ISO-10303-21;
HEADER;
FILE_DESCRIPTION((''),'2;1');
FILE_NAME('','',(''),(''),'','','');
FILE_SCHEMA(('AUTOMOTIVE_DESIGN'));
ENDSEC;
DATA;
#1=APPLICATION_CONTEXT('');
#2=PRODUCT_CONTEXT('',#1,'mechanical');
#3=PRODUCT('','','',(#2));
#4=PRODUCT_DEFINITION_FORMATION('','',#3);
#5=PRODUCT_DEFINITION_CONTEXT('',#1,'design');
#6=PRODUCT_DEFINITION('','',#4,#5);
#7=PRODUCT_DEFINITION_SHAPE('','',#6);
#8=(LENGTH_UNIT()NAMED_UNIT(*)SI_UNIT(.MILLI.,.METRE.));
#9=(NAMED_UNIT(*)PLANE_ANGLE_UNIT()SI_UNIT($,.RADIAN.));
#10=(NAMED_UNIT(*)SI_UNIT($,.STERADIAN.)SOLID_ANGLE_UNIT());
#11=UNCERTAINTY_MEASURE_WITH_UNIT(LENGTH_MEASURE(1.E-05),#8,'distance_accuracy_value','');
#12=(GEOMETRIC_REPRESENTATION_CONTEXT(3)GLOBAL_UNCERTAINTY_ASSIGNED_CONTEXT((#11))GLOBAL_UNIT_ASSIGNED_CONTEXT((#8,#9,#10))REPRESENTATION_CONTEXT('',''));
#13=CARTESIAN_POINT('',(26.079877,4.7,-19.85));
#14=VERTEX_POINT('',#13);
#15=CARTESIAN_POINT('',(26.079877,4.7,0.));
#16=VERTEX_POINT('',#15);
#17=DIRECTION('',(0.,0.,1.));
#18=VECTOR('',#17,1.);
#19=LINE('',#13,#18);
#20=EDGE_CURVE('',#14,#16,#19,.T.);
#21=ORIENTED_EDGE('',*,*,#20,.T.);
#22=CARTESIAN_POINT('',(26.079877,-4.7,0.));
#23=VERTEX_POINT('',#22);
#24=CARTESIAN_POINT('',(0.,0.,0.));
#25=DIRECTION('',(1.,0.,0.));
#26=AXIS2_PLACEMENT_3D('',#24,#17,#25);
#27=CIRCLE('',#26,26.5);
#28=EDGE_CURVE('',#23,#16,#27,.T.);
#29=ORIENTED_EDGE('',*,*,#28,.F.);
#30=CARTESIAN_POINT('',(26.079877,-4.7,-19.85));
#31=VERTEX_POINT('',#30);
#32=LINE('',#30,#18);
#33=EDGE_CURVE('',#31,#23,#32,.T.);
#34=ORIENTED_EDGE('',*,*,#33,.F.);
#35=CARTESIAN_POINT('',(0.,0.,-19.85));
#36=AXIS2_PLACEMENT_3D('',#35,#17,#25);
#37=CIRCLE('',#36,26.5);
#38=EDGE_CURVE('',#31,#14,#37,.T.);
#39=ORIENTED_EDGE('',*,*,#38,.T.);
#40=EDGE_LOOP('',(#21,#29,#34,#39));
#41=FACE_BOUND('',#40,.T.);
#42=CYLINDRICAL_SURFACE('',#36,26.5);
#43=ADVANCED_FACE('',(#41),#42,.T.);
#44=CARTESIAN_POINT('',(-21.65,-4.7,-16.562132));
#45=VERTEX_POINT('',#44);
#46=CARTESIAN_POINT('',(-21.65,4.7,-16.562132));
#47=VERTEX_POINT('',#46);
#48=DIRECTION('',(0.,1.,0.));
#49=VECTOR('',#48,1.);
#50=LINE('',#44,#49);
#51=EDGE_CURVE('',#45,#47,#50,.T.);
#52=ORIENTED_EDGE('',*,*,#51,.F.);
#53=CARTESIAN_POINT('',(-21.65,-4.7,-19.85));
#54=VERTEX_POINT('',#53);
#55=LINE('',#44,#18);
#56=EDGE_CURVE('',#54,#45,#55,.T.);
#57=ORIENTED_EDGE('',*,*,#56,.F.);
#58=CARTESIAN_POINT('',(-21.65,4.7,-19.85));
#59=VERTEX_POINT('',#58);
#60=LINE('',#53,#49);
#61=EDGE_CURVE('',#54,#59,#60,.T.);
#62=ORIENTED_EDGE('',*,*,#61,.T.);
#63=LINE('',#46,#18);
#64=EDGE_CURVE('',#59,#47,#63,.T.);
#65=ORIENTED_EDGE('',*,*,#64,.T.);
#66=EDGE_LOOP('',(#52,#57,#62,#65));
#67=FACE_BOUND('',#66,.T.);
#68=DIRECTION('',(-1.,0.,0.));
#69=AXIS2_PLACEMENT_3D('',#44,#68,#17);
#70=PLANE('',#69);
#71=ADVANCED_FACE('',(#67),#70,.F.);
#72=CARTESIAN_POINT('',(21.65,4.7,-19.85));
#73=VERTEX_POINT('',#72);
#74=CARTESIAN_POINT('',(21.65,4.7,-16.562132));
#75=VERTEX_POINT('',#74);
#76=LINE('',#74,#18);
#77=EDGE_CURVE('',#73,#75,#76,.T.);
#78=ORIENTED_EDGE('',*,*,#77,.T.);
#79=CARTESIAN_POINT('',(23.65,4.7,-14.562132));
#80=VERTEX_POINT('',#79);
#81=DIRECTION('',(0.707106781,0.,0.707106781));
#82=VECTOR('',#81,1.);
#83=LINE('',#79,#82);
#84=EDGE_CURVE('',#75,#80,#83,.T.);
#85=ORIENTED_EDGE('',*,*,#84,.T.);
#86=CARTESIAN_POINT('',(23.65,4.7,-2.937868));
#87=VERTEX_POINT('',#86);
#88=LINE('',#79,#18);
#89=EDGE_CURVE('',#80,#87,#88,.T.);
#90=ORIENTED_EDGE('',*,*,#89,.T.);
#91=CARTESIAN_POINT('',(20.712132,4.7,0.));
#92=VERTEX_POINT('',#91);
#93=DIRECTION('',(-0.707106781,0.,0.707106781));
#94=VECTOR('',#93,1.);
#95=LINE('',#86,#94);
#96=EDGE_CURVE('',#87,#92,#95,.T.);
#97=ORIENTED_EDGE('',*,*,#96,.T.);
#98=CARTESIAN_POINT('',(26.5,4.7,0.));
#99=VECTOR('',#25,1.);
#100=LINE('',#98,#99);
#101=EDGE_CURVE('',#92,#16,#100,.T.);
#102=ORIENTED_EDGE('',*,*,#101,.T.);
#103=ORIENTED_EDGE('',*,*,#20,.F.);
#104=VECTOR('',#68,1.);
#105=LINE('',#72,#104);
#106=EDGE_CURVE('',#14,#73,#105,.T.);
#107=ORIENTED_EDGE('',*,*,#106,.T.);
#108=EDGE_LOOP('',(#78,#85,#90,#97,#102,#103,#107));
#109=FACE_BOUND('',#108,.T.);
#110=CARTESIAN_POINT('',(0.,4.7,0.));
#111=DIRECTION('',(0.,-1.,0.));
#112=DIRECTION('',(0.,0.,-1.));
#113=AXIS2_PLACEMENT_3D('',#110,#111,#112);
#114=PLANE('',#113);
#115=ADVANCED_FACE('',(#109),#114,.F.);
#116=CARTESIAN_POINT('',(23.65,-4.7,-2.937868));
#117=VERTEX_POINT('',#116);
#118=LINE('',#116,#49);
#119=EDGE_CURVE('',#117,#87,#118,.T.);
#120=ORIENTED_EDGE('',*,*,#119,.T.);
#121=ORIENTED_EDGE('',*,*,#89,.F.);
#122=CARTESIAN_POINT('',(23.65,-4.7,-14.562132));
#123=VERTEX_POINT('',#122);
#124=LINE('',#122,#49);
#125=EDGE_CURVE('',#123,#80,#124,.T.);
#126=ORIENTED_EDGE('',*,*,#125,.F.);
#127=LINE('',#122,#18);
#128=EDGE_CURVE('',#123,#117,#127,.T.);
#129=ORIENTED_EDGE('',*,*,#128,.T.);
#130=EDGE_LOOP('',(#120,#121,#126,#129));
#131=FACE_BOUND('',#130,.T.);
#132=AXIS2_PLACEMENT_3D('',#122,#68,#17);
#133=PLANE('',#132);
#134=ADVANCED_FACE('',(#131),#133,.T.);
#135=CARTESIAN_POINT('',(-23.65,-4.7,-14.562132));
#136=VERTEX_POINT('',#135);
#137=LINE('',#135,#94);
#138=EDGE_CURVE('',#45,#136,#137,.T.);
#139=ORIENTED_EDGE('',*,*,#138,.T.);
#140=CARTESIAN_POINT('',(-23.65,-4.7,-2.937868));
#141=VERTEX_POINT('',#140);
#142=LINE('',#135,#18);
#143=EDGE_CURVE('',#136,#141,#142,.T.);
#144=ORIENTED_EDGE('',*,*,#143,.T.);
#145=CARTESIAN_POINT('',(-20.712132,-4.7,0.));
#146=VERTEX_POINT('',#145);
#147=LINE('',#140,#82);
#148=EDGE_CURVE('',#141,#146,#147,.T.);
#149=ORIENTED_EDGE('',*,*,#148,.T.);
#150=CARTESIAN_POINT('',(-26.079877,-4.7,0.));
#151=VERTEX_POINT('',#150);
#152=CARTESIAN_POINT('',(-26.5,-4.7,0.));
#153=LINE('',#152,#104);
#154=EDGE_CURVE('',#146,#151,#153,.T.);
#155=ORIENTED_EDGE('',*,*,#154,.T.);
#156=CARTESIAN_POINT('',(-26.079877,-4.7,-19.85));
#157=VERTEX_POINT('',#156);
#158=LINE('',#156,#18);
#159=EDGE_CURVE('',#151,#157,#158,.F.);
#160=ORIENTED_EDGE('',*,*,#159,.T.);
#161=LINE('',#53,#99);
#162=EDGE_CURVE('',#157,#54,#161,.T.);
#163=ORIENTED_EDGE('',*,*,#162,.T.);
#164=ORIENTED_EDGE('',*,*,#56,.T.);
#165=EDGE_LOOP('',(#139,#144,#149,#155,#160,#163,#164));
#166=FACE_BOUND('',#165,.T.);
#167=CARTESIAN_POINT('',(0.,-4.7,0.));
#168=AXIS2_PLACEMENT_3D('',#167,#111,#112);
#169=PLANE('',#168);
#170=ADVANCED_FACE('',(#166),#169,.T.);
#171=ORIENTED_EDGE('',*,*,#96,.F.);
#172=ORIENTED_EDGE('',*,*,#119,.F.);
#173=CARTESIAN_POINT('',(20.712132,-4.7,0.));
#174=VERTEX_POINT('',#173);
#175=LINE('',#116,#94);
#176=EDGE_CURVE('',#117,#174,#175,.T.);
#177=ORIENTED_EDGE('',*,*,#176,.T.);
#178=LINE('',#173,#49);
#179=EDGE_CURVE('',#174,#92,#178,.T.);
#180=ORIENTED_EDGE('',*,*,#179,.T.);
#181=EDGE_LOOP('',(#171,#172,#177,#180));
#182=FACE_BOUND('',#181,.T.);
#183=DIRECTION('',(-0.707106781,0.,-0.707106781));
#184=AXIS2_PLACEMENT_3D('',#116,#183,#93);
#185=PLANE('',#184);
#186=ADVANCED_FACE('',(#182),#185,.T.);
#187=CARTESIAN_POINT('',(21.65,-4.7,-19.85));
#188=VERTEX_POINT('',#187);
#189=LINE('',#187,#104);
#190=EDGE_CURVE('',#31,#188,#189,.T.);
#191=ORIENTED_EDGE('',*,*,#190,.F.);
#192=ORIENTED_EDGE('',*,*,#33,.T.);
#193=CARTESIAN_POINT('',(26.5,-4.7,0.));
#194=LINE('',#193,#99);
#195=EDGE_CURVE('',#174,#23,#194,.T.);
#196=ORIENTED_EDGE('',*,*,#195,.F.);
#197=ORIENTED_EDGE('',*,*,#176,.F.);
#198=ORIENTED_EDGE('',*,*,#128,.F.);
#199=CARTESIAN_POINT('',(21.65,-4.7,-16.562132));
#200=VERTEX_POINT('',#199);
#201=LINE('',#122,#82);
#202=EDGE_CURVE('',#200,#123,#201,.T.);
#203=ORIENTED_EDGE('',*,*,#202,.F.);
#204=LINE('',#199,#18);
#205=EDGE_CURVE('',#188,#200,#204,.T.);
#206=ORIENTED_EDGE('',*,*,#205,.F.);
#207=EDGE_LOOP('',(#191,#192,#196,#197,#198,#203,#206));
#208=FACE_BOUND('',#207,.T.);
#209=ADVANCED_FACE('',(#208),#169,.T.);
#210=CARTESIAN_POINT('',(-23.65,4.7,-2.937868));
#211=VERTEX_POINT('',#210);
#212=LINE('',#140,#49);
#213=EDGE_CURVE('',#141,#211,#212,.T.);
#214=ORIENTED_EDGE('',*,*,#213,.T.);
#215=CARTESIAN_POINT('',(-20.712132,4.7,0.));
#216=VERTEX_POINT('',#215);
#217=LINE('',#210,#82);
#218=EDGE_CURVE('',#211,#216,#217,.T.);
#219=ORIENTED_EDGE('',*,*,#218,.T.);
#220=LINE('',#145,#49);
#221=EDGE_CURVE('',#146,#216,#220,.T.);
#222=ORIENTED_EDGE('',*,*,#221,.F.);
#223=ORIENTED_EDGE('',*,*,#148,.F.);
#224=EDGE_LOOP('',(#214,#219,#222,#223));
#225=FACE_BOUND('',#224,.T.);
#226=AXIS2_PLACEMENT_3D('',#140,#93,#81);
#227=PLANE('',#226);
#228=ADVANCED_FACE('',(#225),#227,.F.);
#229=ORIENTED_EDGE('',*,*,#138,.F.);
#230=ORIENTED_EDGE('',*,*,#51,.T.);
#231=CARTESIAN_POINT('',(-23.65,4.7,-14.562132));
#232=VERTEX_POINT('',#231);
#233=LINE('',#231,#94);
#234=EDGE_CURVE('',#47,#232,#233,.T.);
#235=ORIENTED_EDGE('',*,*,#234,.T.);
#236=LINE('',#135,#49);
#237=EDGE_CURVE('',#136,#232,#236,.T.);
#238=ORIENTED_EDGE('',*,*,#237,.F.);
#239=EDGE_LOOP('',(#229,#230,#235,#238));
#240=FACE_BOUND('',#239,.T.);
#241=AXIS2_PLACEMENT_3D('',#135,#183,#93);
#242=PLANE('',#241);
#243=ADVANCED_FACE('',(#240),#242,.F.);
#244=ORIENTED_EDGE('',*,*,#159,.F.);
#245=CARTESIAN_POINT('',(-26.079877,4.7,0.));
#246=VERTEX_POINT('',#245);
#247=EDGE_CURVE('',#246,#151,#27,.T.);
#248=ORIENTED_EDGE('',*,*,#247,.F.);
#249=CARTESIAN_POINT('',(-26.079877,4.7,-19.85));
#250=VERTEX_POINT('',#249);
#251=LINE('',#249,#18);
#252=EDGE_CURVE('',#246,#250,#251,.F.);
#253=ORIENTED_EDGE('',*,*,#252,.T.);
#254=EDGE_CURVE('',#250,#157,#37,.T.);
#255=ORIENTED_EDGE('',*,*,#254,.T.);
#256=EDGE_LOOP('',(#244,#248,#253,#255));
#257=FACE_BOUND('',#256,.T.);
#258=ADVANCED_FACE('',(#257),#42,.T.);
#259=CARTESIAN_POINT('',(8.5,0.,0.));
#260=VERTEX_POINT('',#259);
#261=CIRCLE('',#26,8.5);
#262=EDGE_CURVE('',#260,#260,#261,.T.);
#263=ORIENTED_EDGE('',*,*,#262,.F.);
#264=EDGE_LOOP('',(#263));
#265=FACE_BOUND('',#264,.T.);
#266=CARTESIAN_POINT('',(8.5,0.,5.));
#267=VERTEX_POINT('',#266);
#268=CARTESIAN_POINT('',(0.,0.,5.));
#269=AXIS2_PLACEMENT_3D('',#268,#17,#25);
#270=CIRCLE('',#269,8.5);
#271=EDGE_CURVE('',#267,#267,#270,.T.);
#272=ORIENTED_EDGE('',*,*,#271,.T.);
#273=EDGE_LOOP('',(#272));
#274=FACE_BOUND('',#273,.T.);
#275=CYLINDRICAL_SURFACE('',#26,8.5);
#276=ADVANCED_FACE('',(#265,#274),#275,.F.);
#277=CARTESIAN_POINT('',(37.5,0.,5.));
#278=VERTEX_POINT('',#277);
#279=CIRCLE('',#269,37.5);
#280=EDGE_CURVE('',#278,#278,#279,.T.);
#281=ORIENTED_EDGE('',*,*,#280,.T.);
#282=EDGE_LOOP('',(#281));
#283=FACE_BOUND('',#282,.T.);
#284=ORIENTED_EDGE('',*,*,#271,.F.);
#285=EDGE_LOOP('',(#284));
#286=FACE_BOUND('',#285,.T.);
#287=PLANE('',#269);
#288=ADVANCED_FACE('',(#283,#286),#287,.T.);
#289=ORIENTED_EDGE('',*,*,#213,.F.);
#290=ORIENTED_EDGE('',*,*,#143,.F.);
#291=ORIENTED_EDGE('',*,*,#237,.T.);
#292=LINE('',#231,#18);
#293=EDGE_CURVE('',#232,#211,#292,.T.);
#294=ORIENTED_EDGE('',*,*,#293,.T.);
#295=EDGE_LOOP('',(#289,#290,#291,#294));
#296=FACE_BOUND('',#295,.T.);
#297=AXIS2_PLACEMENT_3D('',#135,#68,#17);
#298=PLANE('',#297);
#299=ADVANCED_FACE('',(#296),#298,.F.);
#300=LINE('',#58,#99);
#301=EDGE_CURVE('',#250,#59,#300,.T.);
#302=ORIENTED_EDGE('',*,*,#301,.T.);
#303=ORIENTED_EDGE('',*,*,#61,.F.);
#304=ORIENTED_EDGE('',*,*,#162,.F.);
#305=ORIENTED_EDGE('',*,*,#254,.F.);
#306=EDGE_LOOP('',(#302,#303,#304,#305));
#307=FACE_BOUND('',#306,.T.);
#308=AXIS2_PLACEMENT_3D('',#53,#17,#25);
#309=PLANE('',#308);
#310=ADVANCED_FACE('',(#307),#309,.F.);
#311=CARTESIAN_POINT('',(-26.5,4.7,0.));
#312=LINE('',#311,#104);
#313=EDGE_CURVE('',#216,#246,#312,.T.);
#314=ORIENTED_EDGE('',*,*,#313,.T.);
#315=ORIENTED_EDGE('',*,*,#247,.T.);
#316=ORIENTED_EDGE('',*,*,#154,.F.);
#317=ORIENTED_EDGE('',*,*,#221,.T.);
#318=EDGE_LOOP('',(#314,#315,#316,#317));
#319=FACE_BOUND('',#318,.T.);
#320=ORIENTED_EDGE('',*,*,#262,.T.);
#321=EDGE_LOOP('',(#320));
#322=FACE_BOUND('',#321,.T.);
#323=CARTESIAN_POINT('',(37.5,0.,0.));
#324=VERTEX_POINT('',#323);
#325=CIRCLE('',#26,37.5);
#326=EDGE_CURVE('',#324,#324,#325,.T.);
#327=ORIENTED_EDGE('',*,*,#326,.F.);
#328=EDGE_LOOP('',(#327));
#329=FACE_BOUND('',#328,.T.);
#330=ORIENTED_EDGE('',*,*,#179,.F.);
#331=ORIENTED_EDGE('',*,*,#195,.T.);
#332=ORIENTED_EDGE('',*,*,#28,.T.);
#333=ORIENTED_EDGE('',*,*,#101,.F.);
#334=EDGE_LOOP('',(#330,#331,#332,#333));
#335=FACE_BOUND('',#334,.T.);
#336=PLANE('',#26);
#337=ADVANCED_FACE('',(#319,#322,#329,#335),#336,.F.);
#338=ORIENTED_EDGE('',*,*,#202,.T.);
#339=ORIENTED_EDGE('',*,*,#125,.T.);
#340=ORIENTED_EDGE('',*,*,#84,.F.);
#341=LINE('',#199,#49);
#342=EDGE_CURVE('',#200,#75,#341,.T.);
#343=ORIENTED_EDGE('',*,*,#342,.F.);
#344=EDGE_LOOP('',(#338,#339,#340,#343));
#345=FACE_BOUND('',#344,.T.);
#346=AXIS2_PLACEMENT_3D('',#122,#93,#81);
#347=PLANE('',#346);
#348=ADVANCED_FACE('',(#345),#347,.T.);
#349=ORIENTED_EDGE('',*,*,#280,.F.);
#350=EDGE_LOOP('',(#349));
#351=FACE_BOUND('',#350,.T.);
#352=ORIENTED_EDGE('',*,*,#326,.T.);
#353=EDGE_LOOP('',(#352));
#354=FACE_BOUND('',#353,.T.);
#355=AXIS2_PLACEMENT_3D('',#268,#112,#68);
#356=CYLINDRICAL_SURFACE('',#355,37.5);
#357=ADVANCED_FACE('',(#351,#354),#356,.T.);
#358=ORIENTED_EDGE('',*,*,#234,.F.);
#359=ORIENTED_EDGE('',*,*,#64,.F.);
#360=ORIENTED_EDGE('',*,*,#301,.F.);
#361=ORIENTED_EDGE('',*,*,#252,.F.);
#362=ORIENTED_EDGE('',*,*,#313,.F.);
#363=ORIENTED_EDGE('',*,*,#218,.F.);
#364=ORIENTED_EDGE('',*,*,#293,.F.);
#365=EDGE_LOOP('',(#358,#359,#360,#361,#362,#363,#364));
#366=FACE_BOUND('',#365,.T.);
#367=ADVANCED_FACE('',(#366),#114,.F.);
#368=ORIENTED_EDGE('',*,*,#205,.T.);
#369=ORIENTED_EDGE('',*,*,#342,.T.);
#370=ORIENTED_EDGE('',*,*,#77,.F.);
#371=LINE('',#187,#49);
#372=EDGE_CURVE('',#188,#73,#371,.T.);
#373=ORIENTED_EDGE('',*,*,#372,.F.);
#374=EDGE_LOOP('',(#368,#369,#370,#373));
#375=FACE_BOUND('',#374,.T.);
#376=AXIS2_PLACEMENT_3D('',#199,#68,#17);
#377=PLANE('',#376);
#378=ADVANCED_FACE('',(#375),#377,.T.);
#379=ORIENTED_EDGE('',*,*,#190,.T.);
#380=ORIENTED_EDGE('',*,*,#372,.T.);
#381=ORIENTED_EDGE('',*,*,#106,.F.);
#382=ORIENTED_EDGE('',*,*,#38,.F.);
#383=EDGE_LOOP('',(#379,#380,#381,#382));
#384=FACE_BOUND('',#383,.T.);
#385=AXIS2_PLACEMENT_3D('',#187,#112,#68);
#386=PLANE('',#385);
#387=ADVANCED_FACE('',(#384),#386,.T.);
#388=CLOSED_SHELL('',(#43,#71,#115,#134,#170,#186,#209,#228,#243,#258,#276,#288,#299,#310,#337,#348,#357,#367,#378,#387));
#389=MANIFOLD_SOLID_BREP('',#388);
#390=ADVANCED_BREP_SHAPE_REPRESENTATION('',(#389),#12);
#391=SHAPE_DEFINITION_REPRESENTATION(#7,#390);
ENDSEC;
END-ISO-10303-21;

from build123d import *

# Parameters (mm, degrees)
SKETCH4_R           = 37.5
BOSS_EXTRUDE2_DEPTH = 5
SKETCH5_R           = 8.5
CUT_EXTRUDE1_DEPTH  = 54.268189382
BOSS_EXTRUDE3_DEPTH = 4.7
SKETCH1_R           = 37.5
SKETCH1_R_2         = 26.5
CUT_EXTRUDE2_DEPTH  = 57.626164447


with BuildPart() as part:
    # Sketch4 → Boss-Extrude2 (new body)
    with BuildSketch(Plane.XY):
        Circle(SKETCH4_R)
    extrude(amount=BOSS_EXTRUDE2_DEPTH)

    # Sketch5 → Cut-Extrude1 (cut, through all)
    with BuildSketch(Plane.XY.offset(5)):
        Circle(SKETCH5_R)
    extrude(amount=-CUT_EXTRUDE1_DEPTH, mode=Mode.SUBTRACT)

    # Sketch6 → Boss-Extrude3 (add, symmetric)
    with BuildSketch(Plane(origin=(0, 0, 0), x_dir=(1, 0, 0), z_dir=(0, 1, 0))):
        Polygon((26.5, 0), (20.712132034, 0), (23.65, 2.937867966), (23.65, 14.562132034), (21.65, 16.562132034), (21.65, 19.85), (26.5, 19.85), align=None)
    boss_extrude3 = extrude(amount=BOSS_EXTRUDE3_DEPTH, both=True)

    # Mirror1: Boss-Extrude3 across plane
    add(boss_extrude3.mirror(Plane(origin=(0, 0, 0), x_dir=(0, 0, 1), z_dir=(1, 0, 0))))

    # Sketch1 → Cut-Extrude2 (cut, through all)
    with BuildSketch(Plane.XY):
        Circle(SKETCH1_R)
        Circle(SKETCH1_R_2, mode=Mode.SUBTRACT)
    extrude(amount=-CUT_EXTRUDE2_DEPTH, mode=Mode.SUBTRACT)


solid = part.part
